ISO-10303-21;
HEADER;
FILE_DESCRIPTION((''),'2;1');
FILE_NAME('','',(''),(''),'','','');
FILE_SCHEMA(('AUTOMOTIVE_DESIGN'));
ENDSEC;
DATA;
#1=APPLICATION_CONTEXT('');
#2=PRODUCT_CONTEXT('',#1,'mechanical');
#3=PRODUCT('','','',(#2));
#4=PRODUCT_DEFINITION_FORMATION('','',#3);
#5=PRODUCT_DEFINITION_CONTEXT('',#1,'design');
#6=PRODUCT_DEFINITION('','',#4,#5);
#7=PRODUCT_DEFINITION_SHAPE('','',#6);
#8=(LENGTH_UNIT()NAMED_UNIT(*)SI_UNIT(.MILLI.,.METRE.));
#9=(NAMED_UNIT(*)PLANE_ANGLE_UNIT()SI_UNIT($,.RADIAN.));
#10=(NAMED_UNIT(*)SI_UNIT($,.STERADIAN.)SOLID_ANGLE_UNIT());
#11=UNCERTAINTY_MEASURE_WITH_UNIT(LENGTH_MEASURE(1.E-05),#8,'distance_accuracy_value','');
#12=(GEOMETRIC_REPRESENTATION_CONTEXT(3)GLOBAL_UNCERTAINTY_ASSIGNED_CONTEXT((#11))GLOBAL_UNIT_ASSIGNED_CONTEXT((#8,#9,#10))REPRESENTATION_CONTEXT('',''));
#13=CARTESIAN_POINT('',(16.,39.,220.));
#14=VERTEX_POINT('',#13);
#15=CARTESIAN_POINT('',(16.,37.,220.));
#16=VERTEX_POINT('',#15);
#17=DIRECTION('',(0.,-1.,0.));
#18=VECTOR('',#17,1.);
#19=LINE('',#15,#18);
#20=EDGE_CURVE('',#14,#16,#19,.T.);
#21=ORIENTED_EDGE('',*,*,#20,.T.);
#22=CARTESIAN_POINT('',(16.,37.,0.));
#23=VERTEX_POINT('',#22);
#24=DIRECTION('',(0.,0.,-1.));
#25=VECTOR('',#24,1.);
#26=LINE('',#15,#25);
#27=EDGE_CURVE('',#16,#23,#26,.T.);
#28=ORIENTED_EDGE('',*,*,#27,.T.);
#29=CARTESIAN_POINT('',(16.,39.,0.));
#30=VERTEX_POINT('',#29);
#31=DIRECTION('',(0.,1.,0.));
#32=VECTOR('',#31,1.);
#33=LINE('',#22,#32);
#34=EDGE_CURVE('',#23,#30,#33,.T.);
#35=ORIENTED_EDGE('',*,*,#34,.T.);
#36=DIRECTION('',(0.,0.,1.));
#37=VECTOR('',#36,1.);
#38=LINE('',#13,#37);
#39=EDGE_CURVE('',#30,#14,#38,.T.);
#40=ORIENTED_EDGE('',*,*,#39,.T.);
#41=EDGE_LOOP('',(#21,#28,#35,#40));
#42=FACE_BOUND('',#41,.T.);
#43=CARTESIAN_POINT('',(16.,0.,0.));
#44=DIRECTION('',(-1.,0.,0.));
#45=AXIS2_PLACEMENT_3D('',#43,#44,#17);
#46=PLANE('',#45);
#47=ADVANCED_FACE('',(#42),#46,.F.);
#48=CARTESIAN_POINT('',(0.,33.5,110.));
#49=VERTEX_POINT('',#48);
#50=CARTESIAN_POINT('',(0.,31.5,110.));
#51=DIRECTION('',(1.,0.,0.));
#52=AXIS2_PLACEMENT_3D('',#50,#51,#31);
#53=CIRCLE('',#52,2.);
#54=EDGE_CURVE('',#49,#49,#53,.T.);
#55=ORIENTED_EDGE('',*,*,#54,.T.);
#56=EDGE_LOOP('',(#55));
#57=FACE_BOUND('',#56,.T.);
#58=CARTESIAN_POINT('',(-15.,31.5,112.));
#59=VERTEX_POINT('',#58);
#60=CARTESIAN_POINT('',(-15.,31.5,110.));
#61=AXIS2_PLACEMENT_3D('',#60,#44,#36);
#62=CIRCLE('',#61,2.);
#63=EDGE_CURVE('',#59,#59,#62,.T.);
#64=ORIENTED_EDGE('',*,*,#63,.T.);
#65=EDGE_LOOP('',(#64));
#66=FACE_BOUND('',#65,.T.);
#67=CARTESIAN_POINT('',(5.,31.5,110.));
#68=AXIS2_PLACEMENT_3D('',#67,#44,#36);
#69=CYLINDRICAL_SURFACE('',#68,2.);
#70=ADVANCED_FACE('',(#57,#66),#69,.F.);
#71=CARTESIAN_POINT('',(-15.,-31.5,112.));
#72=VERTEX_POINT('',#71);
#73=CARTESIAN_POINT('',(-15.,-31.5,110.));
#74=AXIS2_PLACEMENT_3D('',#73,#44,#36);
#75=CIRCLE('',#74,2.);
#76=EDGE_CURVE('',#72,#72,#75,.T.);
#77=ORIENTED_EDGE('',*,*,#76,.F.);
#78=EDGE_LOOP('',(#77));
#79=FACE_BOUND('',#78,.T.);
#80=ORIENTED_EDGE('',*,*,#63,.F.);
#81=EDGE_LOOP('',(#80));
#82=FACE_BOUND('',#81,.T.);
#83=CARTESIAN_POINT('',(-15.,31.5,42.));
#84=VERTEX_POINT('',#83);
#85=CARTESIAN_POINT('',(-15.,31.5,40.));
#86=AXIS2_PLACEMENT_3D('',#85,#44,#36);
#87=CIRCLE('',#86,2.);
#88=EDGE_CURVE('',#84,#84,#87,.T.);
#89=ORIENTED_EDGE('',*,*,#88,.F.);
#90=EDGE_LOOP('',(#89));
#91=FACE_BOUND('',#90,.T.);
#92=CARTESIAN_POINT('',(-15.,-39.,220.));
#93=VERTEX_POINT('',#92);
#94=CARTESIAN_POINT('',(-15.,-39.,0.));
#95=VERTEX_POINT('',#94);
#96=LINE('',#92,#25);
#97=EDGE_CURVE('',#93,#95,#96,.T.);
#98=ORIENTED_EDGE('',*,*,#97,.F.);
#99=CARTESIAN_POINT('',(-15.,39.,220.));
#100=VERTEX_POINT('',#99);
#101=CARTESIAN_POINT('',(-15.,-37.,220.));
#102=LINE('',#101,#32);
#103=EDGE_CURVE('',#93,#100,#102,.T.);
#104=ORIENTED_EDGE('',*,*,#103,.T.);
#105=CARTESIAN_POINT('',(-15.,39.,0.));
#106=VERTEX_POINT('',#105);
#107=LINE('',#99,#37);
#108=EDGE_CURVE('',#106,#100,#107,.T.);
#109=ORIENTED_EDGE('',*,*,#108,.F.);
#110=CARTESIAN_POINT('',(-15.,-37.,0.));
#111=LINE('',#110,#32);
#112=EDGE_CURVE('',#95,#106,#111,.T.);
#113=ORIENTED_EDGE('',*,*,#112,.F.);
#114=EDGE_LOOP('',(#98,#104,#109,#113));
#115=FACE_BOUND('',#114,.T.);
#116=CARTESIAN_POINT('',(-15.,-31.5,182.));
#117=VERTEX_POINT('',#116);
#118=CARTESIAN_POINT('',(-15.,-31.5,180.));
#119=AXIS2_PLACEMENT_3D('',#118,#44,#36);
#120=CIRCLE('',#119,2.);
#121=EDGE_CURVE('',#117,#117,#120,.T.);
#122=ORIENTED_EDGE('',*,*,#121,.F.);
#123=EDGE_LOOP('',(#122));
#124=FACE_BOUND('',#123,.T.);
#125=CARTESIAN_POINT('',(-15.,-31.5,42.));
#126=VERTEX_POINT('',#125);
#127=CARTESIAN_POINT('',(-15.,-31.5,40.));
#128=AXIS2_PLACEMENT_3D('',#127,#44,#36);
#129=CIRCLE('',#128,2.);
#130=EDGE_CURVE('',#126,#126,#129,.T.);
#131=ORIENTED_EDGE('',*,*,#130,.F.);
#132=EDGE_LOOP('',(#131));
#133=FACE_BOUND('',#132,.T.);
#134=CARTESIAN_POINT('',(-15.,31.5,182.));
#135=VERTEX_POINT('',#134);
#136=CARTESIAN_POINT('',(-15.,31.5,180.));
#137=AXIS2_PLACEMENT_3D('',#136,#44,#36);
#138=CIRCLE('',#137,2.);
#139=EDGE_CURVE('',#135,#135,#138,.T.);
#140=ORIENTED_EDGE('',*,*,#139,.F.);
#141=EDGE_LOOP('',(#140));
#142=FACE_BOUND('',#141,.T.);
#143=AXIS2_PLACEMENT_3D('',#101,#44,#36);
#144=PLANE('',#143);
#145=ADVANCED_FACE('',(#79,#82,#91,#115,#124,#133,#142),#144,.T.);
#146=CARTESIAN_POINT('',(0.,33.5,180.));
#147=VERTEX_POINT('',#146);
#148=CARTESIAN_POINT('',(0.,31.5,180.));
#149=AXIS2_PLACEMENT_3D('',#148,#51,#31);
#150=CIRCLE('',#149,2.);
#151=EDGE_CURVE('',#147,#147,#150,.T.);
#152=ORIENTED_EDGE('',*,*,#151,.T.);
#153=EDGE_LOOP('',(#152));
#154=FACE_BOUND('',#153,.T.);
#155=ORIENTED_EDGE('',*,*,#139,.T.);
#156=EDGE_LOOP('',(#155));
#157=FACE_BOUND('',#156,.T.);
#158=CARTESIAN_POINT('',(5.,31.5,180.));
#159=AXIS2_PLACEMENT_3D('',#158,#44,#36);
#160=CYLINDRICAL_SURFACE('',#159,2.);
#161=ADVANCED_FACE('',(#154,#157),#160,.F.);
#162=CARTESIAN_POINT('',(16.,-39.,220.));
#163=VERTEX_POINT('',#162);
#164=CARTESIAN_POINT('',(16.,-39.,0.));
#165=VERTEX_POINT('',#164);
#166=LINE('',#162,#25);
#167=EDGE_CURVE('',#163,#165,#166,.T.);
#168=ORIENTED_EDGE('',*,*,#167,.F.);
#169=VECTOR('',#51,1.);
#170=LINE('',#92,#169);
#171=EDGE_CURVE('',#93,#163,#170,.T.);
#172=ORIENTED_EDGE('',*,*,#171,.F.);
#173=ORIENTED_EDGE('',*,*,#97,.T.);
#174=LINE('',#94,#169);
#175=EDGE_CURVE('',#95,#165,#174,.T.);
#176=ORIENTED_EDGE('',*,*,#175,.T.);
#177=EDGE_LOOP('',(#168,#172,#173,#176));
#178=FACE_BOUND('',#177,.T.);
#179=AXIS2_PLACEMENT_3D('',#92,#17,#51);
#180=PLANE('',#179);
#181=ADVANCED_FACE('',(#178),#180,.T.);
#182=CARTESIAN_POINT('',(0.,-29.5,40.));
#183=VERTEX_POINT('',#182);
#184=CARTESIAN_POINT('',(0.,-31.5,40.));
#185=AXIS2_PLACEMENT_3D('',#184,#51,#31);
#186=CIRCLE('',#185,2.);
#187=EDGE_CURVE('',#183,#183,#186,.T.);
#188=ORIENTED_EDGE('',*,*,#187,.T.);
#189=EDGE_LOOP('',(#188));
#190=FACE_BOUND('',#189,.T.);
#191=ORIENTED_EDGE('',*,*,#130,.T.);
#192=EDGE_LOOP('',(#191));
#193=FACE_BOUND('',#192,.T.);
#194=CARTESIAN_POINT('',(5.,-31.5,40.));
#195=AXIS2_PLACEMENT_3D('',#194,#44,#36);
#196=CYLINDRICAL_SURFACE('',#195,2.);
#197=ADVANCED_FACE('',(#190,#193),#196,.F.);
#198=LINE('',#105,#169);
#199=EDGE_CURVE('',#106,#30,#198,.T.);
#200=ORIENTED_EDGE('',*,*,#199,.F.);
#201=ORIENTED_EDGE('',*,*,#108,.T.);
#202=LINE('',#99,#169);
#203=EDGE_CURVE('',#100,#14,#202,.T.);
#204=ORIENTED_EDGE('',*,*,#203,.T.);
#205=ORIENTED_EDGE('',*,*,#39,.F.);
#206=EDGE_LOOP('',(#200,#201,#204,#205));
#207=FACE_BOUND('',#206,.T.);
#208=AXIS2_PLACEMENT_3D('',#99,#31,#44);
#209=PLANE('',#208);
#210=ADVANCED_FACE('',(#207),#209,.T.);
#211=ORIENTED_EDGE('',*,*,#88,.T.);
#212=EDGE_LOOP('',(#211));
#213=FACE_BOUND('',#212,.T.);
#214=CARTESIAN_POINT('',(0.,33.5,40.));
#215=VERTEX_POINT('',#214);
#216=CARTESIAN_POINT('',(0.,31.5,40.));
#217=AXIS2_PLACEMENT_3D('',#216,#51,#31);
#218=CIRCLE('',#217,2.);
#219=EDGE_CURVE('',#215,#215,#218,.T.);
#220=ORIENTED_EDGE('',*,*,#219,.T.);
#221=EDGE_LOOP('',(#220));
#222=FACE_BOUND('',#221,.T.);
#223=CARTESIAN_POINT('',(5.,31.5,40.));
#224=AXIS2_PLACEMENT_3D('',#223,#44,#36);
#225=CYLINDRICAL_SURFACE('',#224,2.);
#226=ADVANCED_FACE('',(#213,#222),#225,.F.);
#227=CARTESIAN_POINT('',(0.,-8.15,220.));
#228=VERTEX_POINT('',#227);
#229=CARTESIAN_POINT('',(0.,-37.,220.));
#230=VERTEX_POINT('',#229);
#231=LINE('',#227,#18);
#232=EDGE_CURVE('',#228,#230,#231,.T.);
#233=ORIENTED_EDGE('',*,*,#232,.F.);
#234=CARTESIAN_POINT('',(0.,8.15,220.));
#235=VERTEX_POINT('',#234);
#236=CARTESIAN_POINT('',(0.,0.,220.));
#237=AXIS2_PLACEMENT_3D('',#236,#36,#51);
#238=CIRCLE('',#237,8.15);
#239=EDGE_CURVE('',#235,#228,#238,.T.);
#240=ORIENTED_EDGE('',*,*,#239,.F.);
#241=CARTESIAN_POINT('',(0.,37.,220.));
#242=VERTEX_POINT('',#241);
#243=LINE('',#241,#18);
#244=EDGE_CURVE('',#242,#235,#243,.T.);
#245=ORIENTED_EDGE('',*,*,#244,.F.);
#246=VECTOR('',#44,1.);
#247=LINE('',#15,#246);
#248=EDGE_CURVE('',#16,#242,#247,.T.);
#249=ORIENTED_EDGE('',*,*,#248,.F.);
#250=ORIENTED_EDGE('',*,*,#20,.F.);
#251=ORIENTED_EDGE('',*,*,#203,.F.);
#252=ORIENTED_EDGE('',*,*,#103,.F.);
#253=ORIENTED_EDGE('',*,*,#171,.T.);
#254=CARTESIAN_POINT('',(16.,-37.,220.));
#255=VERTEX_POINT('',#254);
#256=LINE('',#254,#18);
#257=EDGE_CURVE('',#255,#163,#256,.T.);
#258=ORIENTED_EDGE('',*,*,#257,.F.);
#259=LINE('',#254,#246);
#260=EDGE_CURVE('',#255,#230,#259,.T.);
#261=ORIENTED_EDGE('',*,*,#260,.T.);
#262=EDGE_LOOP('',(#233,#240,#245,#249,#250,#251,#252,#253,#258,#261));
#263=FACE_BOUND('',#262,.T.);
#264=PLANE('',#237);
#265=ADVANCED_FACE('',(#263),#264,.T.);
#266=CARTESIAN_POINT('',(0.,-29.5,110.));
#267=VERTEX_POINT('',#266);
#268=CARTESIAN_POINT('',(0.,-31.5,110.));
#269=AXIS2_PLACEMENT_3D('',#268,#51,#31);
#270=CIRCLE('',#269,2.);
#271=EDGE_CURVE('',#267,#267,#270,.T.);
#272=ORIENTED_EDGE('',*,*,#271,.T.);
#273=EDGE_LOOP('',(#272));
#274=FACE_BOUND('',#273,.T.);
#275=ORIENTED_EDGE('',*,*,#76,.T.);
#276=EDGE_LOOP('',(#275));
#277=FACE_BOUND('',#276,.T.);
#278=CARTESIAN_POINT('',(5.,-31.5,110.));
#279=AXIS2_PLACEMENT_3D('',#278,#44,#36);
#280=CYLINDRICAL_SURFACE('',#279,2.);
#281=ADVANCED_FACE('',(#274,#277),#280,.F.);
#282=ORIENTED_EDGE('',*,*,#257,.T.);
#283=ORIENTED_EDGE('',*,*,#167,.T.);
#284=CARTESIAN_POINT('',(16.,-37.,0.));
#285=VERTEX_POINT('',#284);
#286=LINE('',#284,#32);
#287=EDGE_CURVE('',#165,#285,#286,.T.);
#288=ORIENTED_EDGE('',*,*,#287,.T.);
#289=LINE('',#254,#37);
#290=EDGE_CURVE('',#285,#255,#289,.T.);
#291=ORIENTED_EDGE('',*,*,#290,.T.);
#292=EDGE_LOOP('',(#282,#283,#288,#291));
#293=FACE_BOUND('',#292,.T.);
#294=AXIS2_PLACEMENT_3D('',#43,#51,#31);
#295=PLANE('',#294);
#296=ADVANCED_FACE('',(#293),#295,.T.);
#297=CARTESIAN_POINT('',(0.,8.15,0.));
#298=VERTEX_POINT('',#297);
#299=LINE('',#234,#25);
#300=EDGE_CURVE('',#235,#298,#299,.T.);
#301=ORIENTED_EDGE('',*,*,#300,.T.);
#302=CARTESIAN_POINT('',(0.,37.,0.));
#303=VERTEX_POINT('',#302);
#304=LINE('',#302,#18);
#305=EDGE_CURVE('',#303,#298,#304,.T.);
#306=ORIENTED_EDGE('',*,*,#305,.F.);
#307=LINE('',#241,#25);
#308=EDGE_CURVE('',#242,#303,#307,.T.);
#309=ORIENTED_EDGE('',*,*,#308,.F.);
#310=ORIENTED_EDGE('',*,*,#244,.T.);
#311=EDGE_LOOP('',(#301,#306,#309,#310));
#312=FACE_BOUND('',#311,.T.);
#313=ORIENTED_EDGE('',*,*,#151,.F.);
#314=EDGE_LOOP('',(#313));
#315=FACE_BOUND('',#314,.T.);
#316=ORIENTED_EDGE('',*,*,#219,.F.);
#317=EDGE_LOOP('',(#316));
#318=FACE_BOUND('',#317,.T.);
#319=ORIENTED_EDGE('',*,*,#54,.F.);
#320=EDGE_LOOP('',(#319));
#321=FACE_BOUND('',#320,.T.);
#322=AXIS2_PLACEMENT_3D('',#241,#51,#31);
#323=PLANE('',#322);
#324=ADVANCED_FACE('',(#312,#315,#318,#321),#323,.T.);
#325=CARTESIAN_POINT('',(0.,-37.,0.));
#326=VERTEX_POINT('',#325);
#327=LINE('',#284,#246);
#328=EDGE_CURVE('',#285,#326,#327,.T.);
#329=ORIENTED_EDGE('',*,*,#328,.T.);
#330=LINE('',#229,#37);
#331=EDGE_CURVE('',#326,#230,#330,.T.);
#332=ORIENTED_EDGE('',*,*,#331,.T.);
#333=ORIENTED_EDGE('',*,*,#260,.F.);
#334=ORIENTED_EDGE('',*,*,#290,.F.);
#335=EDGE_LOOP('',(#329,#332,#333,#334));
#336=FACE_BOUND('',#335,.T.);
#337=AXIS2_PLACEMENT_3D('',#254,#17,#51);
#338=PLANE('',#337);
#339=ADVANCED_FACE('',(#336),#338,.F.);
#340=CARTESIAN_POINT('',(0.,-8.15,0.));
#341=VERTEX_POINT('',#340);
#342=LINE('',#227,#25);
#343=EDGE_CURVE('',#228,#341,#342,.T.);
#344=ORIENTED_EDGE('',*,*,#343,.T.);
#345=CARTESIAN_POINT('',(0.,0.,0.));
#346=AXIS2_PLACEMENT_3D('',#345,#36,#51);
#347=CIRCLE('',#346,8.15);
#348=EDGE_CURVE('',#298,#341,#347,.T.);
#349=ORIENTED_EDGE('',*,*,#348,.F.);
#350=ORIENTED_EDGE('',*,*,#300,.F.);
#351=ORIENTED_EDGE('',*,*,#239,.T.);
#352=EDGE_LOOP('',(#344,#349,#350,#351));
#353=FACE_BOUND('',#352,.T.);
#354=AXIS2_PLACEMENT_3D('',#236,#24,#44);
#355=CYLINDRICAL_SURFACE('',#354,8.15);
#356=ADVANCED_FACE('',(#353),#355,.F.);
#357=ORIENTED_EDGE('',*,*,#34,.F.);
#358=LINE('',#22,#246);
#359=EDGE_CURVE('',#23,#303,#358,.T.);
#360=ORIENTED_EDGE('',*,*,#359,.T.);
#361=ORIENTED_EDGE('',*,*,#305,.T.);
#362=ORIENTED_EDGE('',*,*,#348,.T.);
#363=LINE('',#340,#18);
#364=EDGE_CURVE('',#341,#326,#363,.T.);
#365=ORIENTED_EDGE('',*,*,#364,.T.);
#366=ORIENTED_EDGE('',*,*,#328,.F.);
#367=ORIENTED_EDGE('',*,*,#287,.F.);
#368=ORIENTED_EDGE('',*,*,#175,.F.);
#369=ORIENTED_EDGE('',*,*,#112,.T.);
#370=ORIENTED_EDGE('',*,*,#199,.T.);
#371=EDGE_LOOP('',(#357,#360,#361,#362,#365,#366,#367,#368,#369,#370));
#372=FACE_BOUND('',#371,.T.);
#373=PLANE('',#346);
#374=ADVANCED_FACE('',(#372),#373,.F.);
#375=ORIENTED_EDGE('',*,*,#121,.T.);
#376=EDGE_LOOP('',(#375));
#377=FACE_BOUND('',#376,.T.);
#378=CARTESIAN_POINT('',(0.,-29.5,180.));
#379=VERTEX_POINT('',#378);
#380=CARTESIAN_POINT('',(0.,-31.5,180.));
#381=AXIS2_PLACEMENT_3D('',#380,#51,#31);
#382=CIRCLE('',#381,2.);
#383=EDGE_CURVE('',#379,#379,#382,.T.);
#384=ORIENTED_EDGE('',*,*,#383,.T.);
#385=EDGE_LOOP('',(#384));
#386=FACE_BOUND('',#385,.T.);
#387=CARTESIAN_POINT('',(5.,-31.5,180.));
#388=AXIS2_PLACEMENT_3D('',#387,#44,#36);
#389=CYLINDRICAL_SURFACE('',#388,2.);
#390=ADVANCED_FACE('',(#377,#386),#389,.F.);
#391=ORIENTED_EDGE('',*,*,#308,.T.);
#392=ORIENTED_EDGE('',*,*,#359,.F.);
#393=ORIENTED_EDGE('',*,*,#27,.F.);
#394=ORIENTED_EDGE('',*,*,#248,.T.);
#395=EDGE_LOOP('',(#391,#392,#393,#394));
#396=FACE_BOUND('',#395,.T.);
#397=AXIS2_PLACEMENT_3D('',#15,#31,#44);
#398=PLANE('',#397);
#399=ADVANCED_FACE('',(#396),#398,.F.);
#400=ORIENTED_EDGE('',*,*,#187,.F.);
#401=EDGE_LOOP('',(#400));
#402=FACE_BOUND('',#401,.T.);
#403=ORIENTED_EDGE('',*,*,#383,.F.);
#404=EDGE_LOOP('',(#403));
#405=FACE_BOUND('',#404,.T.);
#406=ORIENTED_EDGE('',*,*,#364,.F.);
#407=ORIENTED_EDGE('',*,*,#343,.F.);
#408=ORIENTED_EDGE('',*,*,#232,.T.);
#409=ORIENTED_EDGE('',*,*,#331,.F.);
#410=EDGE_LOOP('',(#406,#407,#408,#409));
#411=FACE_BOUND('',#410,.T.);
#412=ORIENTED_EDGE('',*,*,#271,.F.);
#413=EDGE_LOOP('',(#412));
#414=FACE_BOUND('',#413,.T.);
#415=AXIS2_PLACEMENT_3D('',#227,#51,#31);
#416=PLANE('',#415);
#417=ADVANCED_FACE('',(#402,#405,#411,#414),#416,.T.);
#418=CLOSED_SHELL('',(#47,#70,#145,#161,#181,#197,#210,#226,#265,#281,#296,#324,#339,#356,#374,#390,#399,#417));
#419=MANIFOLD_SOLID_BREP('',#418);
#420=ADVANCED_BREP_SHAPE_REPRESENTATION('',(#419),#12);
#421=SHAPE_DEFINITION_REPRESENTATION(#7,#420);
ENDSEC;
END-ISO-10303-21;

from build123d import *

# Parameters (mm, degrees)
SALIENTE_EXTRUIR1_DEPTH   = 220
CROQUIS5_R                = 2
CORTAR_EXTRUIR5_DEPTH     = 20
CROQUIS7_W                = 220
CROQUIS7_H                = 2
SALIENTE_EXTRUIR2_DEPTH   = 16
SALIENTE_EXTRUIR2_2_DEPTH = 16
CROQUIS7_3_W              = 220
CROQUIS7_3_H              = 2
SALIENTE_EXTRUIR3_DEPTH   = 15


with BuildPart() as part:
    # Croquis1 → Saliente-Extruir1 (new body)
    with BuildSketch(Plane.XY):
        with BuildLine():
            Line((0, 37), (0, 8.15))
            ThreePointArc((0, 8.15), (-8.15, 0), (0, -8.15))
            Line((0, -8.15), (0, -37))
            Line((0, -37), (-15, -37))
            Line((-15, -37), (-15, 37))
            Line((-15, 37), (0, 37))
        make_face()
    extrude(amount=SALIENTE_EXTRUIR1_DEPTH)

    # Croquis5 → Cortar-Extruir5 (cut)
    with BuildSketch(Plane.ZY.offset(15)):
        with Locations((110, -31.5)):
            Circle(CROQUIS5_R)
        with Locations((110, 31.5)):
            Circle(CROQUIS5_R)
        with Locations((40, 31.5)):
            Circle(CROQUIS5_R)
        with Locations((40, -31.5)):
            Circle(CROQUIS5_R)
        with Locations((180, 31.5)):
            Circle(CROQUIS5_R)
        with Locations((180, -31.5)):
            Circle(CROQUIS5_R)
    extrude(amount=-CORTAR_EXTRUIR5_DEPTH, mode=Mode.SUBTRACT)



with BuildPart() as body_2:
    # Croquis7 → Saliente-Extruir2 (new body)
    with BuildSketch(Plane(origin=(0, 0, 0), x_dir=(0, 0, -1), z_dir=(1, 0, 0))):
        with Locations((-110, -38)):
            Rectangle(CROQUIS7_W, CROQUIS7_H)
    extrude(amount=SALIENTE_EXTRUIR2_DEPTH)


with BuildPart() as body_3:
    # Croquis7 → Saliente-Extruir2 2 (new body)
    with BuildSketch(Plane(origin=(0, 0, 0), x_dir=(0, 0, -1), z_dir=(1, 0, 0))):
        with Locations((-110, 38)):
            Rectangle(CROQUIS7_W, CROQUIS7_H)
    extrude(amount=SALIENTE_EXTRUIR2_2_DEPTH)


with BuildPart() as part_1:
    add(part.part)

    add(body_2.part)  # Saliente-Extruir3 merges body 2

    add(body_3.part)  # Saliente-Extruir3 merges body 3
    # Croquis7_3 → Saliente-Extruir3 (add)
    with BuildSketch(Plane(origin=(0, 0, 0), x_dir=(0, 0, -1), z_dir=(1, 0, 0))):
        with Locations((-110, -38)):
            Rectangle(CROQUIS7_3_W, CROQUIS7_3_H)
        with Locations((-110, 38)):
            Rectangle(CROQUIS7_3_W, CROQUIS7_3_H)
    extrude(amount=-SALIENTE_EXTRUIR3_DEPTH)


solid = part_1.part
